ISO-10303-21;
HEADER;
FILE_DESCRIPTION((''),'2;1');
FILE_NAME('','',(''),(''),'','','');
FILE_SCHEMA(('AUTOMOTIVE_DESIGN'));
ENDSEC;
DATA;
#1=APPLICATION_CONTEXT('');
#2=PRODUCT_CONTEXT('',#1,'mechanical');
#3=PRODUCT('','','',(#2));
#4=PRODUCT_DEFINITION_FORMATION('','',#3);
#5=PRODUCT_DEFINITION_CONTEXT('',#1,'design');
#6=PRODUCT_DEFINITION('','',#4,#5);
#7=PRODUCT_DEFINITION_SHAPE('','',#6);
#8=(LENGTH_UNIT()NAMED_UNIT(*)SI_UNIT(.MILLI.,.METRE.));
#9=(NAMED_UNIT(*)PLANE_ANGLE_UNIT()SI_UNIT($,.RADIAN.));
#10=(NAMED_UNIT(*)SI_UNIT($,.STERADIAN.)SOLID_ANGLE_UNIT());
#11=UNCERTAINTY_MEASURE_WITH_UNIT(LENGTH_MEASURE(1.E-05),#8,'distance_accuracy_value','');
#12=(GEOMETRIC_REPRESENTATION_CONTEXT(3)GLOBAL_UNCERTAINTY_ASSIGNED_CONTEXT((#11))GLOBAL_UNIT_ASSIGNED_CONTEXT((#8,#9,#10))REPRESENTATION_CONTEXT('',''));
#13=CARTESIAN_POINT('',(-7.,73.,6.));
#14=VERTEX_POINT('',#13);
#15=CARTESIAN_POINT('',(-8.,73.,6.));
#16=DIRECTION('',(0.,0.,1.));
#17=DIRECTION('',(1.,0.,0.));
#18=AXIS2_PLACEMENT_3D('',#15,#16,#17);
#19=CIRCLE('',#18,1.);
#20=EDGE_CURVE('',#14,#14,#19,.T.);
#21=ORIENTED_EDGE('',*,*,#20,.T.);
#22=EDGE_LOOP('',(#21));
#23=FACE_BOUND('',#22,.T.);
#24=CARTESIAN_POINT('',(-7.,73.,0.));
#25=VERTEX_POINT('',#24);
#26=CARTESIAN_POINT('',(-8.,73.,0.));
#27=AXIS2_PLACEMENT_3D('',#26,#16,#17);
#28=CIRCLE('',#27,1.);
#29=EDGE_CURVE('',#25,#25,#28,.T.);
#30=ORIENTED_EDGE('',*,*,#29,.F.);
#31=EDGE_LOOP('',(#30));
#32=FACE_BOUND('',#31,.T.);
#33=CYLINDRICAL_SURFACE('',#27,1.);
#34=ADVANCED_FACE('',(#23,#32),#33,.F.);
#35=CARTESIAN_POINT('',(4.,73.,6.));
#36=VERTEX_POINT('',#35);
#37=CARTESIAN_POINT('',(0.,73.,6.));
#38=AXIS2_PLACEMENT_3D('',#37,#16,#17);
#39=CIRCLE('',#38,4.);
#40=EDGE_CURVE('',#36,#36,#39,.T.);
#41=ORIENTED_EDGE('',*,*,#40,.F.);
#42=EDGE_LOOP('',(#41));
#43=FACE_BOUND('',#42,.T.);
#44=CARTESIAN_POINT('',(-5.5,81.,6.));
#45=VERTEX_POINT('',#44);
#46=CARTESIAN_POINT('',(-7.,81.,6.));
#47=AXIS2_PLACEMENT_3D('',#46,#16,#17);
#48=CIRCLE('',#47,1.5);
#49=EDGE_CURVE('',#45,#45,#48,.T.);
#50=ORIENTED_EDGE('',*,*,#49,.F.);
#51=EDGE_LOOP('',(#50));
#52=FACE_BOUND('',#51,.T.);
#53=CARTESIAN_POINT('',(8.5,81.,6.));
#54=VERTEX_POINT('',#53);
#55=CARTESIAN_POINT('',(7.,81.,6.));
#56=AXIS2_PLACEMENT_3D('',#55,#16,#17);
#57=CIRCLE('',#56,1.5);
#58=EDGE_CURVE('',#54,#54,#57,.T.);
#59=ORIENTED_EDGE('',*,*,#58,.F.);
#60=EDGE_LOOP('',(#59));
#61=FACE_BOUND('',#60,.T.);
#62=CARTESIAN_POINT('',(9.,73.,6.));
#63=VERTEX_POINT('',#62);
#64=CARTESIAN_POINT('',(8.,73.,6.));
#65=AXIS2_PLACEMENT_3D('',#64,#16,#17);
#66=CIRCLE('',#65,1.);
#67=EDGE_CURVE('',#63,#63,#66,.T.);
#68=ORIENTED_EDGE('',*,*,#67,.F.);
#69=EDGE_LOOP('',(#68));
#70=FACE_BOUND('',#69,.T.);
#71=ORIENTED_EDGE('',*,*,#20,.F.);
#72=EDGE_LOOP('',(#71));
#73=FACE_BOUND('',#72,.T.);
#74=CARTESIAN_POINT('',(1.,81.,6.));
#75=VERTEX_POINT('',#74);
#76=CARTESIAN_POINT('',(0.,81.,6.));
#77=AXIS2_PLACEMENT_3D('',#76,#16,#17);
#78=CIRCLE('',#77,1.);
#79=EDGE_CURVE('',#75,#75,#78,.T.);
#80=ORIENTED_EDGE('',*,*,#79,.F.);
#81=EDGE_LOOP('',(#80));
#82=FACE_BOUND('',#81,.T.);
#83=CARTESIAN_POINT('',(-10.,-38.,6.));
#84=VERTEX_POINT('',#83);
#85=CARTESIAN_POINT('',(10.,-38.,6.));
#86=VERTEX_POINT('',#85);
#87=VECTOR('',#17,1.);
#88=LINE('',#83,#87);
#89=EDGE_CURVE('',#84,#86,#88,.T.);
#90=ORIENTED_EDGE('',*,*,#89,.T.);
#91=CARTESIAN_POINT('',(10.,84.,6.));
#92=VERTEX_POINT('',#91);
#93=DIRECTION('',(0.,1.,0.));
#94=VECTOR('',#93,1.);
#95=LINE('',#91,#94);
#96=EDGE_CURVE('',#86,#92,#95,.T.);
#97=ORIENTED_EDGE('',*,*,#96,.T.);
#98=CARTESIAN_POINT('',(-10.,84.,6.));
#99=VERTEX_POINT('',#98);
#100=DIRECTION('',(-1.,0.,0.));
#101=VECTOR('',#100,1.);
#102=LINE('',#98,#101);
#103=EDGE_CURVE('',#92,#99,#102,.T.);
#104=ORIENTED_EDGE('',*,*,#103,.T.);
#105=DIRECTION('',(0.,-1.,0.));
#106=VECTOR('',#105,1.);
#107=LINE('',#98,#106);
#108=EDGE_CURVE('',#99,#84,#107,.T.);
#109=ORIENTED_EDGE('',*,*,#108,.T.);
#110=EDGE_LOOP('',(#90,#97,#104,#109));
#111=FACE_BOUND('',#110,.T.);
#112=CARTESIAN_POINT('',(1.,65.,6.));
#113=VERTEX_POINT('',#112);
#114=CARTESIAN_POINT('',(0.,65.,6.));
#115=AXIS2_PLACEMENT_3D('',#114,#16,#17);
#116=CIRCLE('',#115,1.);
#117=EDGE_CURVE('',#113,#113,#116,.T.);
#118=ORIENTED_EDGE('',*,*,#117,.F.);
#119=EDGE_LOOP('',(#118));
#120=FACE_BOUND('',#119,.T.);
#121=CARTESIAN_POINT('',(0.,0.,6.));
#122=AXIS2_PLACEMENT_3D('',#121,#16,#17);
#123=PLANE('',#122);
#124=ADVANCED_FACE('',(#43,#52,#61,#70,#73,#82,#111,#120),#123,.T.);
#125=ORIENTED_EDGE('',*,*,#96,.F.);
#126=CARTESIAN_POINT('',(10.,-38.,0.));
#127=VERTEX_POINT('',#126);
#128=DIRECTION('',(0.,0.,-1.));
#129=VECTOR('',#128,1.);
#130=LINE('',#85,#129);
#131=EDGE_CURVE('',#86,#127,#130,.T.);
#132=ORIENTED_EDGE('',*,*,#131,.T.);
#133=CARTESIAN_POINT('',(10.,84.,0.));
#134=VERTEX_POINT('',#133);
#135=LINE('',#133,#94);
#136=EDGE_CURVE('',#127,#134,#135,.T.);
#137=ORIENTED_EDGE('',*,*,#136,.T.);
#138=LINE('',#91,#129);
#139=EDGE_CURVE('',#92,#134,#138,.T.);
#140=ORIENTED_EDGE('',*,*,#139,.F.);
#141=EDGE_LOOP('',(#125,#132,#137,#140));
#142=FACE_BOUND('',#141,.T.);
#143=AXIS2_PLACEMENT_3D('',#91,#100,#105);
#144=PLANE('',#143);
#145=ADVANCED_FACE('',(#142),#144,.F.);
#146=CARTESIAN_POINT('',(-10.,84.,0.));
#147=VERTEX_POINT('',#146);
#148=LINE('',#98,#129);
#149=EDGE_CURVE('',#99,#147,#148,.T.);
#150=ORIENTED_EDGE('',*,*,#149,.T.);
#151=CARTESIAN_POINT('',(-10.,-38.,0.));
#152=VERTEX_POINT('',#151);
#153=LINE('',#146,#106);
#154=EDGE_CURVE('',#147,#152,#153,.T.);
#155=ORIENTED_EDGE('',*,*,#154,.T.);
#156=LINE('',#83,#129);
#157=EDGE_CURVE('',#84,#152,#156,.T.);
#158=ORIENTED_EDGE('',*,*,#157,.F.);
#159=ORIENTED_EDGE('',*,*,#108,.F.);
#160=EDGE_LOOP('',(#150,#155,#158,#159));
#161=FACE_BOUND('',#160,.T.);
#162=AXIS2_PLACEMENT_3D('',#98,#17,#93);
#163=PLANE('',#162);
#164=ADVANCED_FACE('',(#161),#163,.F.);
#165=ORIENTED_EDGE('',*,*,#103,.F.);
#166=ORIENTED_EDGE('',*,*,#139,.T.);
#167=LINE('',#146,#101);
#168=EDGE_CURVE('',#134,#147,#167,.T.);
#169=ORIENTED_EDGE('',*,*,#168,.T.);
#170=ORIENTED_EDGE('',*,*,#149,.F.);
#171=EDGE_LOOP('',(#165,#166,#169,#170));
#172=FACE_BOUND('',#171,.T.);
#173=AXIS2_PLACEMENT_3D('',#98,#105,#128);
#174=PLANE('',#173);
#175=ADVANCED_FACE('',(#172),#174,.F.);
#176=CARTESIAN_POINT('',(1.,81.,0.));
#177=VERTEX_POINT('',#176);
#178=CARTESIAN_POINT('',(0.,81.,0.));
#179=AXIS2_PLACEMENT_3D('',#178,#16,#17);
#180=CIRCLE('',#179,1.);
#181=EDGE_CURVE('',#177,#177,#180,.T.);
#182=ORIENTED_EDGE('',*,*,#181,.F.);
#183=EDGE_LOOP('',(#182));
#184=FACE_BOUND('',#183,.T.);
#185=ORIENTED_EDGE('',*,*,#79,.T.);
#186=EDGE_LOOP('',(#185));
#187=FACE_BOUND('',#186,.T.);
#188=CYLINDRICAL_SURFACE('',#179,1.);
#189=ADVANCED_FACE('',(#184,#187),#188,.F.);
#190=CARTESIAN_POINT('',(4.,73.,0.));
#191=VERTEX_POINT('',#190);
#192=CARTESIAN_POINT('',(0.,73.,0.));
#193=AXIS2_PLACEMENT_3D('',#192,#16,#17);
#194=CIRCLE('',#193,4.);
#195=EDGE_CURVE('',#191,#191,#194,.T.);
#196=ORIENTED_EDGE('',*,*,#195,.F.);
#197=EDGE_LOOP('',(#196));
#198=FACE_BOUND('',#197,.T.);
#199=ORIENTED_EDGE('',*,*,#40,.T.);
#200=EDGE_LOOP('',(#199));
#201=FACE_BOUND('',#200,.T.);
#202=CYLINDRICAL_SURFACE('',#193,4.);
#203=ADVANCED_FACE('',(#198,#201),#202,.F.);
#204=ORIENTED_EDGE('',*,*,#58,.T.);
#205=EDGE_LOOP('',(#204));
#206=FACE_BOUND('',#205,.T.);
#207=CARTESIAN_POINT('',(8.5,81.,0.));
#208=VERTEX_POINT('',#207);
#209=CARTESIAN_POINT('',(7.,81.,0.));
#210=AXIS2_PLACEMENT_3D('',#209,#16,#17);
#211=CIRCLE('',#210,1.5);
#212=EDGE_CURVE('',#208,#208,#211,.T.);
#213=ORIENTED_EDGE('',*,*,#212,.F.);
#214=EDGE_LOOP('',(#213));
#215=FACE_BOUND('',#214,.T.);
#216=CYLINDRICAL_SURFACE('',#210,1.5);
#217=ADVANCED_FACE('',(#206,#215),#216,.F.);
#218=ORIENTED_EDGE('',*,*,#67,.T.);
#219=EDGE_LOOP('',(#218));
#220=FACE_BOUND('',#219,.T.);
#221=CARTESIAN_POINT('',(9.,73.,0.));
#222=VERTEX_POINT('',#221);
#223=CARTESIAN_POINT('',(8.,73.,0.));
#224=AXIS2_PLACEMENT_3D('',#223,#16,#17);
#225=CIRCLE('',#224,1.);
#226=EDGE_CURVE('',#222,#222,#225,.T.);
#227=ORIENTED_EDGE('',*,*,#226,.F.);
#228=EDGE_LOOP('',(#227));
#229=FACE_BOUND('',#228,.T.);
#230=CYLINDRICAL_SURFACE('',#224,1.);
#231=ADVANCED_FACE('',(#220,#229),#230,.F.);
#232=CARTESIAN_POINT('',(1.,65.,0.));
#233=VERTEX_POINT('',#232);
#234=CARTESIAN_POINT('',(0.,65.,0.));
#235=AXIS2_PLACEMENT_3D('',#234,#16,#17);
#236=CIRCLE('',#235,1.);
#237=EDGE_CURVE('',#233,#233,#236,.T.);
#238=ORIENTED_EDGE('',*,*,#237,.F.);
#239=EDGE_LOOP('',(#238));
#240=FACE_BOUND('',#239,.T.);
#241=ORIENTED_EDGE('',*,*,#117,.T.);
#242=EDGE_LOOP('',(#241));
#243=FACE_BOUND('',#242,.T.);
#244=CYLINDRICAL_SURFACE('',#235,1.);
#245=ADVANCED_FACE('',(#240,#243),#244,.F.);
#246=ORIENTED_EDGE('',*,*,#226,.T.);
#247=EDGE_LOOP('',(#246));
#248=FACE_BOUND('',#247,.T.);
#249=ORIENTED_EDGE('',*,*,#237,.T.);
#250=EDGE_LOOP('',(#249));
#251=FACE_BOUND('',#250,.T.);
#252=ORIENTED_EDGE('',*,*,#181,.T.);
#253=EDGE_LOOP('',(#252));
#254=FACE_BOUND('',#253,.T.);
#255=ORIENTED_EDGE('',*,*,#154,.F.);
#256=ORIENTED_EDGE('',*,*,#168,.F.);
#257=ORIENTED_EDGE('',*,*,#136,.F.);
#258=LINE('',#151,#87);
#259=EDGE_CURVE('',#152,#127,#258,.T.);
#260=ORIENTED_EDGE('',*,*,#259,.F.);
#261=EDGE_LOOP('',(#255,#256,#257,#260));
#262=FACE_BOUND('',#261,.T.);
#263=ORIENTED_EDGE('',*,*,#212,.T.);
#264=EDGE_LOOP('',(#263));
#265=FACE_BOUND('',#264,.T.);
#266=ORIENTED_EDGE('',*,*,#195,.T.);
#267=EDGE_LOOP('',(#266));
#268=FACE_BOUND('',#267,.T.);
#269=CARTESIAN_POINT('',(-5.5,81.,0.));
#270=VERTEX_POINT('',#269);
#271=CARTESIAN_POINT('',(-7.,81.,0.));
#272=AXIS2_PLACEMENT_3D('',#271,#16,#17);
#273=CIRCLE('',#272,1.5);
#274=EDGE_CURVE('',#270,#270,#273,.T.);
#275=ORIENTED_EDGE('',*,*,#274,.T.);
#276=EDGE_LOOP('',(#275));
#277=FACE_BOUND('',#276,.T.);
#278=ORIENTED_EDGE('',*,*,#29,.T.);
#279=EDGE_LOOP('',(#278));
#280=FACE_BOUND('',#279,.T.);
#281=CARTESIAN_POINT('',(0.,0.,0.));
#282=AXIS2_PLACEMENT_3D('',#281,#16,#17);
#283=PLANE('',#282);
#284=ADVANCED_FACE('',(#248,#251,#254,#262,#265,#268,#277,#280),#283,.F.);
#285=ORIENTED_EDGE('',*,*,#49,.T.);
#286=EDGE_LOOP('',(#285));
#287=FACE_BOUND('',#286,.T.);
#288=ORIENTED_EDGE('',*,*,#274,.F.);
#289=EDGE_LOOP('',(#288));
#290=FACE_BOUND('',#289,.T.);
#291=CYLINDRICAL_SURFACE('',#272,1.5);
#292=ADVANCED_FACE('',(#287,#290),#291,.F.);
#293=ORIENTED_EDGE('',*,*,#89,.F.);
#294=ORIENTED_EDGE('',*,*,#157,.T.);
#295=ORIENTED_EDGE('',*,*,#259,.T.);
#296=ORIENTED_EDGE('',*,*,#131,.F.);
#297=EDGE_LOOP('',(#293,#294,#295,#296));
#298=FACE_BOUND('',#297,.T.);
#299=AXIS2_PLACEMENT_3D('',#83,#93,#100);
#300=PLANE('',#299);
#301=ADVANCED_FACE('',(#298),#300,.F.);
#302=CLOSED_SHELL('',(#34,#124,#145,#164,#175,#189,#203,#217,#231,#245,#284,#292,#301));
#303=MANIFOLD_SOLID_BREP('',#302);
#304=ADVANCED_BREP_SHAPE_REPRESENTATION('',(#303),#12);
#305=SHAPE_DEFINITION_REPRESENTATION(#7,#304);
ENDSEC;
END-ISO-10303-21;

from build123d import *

# Parameters (mm, degrees)
ESQUISSE1_W             = 20
ESQUISSE1_H             = 122
BOSS_EXTRU_1_DEPTH      = 6
ESQUISSE2_R             = 4
ESQUISSE2_R_2           = 1
ESQUISSE2_R_3           = 1.5
ENL_V_MAT_EXTRU_1_DEPTH = 6


with BuildPart() as part:
    # Esquisse1 → Boss.-Extru.1 (new body)
    with BuildSketch(Plane.XY):
        with Locations((0, 23)):
            Rectangle(ESQUISSE1_W, ESQUISSE1_H)
    extrude(amount=BOSS_EXTRU_1_DEPTH)

    # Esquisse2 → Enlèv. mat.-Extru.1 (cut)
    with BuildSketch(Plane.XY.offset(6)):
        with Locations((0, 73)):
            Circle(ESQUISSE2_R)
        with Locations((0, 81)):
            Circle(ESQUISSE2_R_2)
        with Locations((-8, 73)):
            Circle(ESQUISSE2_R_2)
        with Locations((0, 65)):
            Circle(ESQUISSE2_R_2)
        with Locations((8, 73)):
            Circle(ESQUISSE2_R_2)
        with Locations((-7, 81)):
            Circle(ESQUISSE2_R_3)
        with Locations((7, 81)):
            Circle(ESQUISSE2_R_3)
    extrude(amount=-ENL_V_MAT_EXTRU_1_DEPTH, mode=Mode.SUBTRACT)


solid = part.part
